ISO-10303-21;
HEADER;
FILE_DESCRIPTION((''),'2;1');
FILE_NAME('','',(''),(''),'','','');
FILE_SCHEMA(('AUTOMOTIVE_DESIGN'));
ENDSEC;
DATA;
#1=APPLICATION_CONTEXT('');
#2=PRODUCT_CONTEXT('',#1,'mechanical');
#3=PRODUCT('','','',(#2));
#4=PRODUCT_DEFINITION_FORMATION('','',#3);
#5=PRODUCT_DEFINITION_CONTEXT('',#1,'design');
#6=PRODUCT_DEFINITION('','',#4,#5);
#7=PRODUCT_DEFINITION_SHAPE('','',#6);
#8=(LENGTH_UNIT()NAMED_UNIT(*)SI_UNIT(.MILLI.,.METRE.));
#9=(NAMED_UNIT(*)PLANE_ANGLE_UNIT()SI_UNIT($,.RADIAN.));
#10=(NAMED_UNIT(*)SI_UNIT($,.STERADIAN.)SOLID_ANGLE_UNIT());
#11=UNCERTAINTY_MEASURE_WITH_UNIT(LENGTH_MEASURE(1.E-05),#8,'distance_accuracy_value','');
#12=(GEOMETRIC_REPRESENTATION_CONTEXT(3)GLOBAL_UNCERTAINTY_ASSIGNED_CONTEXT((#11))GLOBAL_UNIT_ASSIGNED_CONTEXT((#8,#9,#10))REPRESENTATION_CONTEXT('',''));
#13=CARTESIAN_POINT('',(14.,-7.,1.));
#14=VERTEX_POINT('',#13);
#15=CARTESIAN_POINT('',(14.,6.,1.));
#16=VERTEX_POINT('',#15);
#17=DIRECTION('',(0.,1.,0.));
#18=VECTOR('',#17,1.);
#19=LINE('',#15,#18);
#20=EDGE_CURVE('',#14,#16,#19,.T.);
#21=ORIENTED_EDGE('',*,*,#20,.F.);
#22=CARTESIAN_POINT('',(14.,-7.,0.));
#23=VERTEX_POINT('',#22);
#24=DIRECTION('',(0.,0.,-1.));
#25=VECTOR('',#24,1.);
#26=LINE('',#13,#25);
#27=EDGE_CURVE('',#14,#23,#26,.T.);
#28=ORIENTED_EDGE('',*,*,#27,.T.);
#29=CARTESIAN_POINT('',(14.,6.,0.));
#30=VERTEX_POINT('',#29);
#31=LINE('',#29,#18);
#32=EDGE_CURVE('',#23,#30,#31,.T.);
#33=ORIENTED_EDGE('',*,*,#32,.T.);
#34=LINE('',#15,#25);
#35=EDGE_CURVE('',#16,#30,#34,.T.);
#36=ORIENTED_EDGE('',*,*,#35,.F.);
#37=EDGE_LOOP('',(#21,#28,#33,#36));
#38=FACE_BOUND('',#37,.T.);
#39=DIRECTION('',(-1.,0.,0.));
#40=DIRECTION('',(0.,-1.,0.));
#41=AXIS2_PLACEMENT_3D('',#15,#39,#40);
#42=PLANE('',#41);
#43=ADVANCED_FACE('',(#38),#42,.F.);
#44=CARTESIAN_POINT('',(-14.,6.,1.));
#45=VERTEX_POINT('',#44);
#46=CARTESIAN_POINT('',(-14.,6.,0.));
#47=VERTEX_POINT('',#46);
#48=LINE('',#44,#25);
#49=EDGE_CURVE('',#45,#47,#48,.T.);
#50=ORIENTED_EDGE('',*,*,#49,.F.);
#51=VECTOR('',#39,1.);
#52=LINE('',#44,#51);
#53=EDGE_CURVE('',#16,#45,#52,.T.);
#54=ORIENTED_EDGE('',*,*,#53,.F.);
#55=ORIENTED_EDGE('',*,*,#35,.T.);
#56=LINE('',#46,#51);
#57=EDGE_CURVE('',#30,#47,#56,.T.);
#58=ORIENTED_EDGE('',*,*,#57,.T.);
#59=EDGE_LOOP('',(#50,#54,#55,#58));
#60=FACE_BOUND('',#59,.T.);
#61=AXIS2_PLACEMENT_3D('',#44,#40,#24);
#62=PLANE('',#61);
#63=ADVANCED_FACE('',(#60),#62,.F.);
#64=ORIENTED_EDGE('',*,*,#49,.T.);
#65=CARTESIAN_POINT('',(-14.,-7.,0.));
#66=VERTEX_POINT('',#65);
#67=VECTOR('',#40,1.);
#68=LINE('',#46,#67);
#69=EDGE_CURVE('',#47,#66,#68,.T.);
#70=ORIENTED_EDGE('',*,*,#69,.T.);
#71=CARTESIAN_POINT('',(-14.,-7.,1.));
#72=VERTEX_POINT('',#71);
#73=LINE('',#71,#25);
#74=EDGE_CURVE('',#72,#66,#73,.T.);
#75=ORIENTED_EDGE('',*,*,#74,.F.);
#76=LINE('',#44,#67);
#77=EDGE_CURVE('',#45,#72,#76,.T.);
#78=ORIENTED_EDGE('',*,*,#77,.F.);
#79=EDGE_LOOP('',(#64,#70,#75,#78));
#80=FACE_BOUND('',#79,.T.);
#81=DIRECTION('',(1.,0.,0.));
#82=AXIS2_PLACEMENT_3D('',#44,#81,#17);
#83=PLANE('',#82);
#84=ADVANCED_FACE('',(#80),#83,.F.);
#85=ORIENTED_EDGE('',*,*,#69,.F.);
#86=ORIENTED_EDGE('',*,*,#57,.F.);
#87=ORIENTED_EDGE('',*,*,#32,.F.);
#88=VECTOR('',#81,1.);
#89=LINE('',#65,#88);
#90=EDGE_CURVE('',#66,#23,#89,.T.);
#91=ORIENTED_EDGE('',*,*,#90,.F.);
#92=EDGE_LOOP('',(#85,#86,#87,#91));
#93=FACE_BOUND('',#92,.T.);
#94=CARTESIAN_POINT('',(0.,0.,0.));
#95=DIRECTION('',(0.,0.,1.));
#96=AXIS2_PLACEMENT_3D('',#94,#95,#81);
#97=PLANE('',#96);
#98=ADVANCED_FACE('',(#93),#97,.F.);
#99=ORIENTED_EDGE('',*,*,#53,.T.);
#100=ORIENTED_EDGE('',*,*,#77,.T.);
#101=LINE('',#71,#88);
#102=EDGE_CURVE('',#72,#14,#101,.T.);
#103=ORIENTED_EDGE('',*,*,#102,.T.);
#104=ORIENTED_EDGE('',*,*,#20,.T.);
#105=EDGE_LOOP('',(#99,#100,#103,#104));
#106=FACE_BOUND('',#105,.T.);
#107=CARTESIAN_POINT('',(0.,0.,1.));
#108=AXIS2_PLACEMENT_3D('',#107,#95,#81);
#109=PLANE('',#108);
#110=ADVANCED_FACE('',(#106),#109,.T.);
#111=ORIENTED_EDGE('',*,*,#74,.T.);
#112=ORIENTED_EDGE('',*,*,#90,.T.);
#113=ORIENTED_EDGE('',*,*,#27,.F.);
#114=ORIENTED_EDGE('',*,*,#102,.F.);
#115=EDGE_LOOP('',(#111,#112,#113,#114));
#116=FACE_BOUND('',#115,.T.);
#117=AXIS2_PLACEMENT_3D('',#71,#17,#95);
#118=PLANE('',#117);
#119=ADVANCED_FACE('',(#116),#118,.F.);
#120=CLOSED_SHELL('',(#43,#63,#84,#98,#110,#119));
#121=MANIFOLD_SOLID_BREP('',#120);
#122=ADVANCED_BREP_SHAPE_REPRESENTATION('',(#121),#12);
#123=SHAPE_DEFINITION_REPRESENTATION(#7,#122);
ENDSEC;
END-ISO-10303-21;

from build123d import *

# Parameters (mm, degrees)
SKIZZE1_W                       = 28
SKIZZE1_H                       = 13
AUFSATZ_LINEAR_AUSTRAGEN1_DEPTH = 1


with BuildPart() as part:
    # Skizze1 → Aufsatz-Linear austragen1 (new body)
    with BuildSketch(Plane.XY):
        with Locations((0, -0.5)):
            Rectangle(SKIZZE1_W, SKIZZE1_H)
    extrude(amount=AUFSATZ_LINEAR_AUSTRAGEN1_DEPTH)


solid = part.part
